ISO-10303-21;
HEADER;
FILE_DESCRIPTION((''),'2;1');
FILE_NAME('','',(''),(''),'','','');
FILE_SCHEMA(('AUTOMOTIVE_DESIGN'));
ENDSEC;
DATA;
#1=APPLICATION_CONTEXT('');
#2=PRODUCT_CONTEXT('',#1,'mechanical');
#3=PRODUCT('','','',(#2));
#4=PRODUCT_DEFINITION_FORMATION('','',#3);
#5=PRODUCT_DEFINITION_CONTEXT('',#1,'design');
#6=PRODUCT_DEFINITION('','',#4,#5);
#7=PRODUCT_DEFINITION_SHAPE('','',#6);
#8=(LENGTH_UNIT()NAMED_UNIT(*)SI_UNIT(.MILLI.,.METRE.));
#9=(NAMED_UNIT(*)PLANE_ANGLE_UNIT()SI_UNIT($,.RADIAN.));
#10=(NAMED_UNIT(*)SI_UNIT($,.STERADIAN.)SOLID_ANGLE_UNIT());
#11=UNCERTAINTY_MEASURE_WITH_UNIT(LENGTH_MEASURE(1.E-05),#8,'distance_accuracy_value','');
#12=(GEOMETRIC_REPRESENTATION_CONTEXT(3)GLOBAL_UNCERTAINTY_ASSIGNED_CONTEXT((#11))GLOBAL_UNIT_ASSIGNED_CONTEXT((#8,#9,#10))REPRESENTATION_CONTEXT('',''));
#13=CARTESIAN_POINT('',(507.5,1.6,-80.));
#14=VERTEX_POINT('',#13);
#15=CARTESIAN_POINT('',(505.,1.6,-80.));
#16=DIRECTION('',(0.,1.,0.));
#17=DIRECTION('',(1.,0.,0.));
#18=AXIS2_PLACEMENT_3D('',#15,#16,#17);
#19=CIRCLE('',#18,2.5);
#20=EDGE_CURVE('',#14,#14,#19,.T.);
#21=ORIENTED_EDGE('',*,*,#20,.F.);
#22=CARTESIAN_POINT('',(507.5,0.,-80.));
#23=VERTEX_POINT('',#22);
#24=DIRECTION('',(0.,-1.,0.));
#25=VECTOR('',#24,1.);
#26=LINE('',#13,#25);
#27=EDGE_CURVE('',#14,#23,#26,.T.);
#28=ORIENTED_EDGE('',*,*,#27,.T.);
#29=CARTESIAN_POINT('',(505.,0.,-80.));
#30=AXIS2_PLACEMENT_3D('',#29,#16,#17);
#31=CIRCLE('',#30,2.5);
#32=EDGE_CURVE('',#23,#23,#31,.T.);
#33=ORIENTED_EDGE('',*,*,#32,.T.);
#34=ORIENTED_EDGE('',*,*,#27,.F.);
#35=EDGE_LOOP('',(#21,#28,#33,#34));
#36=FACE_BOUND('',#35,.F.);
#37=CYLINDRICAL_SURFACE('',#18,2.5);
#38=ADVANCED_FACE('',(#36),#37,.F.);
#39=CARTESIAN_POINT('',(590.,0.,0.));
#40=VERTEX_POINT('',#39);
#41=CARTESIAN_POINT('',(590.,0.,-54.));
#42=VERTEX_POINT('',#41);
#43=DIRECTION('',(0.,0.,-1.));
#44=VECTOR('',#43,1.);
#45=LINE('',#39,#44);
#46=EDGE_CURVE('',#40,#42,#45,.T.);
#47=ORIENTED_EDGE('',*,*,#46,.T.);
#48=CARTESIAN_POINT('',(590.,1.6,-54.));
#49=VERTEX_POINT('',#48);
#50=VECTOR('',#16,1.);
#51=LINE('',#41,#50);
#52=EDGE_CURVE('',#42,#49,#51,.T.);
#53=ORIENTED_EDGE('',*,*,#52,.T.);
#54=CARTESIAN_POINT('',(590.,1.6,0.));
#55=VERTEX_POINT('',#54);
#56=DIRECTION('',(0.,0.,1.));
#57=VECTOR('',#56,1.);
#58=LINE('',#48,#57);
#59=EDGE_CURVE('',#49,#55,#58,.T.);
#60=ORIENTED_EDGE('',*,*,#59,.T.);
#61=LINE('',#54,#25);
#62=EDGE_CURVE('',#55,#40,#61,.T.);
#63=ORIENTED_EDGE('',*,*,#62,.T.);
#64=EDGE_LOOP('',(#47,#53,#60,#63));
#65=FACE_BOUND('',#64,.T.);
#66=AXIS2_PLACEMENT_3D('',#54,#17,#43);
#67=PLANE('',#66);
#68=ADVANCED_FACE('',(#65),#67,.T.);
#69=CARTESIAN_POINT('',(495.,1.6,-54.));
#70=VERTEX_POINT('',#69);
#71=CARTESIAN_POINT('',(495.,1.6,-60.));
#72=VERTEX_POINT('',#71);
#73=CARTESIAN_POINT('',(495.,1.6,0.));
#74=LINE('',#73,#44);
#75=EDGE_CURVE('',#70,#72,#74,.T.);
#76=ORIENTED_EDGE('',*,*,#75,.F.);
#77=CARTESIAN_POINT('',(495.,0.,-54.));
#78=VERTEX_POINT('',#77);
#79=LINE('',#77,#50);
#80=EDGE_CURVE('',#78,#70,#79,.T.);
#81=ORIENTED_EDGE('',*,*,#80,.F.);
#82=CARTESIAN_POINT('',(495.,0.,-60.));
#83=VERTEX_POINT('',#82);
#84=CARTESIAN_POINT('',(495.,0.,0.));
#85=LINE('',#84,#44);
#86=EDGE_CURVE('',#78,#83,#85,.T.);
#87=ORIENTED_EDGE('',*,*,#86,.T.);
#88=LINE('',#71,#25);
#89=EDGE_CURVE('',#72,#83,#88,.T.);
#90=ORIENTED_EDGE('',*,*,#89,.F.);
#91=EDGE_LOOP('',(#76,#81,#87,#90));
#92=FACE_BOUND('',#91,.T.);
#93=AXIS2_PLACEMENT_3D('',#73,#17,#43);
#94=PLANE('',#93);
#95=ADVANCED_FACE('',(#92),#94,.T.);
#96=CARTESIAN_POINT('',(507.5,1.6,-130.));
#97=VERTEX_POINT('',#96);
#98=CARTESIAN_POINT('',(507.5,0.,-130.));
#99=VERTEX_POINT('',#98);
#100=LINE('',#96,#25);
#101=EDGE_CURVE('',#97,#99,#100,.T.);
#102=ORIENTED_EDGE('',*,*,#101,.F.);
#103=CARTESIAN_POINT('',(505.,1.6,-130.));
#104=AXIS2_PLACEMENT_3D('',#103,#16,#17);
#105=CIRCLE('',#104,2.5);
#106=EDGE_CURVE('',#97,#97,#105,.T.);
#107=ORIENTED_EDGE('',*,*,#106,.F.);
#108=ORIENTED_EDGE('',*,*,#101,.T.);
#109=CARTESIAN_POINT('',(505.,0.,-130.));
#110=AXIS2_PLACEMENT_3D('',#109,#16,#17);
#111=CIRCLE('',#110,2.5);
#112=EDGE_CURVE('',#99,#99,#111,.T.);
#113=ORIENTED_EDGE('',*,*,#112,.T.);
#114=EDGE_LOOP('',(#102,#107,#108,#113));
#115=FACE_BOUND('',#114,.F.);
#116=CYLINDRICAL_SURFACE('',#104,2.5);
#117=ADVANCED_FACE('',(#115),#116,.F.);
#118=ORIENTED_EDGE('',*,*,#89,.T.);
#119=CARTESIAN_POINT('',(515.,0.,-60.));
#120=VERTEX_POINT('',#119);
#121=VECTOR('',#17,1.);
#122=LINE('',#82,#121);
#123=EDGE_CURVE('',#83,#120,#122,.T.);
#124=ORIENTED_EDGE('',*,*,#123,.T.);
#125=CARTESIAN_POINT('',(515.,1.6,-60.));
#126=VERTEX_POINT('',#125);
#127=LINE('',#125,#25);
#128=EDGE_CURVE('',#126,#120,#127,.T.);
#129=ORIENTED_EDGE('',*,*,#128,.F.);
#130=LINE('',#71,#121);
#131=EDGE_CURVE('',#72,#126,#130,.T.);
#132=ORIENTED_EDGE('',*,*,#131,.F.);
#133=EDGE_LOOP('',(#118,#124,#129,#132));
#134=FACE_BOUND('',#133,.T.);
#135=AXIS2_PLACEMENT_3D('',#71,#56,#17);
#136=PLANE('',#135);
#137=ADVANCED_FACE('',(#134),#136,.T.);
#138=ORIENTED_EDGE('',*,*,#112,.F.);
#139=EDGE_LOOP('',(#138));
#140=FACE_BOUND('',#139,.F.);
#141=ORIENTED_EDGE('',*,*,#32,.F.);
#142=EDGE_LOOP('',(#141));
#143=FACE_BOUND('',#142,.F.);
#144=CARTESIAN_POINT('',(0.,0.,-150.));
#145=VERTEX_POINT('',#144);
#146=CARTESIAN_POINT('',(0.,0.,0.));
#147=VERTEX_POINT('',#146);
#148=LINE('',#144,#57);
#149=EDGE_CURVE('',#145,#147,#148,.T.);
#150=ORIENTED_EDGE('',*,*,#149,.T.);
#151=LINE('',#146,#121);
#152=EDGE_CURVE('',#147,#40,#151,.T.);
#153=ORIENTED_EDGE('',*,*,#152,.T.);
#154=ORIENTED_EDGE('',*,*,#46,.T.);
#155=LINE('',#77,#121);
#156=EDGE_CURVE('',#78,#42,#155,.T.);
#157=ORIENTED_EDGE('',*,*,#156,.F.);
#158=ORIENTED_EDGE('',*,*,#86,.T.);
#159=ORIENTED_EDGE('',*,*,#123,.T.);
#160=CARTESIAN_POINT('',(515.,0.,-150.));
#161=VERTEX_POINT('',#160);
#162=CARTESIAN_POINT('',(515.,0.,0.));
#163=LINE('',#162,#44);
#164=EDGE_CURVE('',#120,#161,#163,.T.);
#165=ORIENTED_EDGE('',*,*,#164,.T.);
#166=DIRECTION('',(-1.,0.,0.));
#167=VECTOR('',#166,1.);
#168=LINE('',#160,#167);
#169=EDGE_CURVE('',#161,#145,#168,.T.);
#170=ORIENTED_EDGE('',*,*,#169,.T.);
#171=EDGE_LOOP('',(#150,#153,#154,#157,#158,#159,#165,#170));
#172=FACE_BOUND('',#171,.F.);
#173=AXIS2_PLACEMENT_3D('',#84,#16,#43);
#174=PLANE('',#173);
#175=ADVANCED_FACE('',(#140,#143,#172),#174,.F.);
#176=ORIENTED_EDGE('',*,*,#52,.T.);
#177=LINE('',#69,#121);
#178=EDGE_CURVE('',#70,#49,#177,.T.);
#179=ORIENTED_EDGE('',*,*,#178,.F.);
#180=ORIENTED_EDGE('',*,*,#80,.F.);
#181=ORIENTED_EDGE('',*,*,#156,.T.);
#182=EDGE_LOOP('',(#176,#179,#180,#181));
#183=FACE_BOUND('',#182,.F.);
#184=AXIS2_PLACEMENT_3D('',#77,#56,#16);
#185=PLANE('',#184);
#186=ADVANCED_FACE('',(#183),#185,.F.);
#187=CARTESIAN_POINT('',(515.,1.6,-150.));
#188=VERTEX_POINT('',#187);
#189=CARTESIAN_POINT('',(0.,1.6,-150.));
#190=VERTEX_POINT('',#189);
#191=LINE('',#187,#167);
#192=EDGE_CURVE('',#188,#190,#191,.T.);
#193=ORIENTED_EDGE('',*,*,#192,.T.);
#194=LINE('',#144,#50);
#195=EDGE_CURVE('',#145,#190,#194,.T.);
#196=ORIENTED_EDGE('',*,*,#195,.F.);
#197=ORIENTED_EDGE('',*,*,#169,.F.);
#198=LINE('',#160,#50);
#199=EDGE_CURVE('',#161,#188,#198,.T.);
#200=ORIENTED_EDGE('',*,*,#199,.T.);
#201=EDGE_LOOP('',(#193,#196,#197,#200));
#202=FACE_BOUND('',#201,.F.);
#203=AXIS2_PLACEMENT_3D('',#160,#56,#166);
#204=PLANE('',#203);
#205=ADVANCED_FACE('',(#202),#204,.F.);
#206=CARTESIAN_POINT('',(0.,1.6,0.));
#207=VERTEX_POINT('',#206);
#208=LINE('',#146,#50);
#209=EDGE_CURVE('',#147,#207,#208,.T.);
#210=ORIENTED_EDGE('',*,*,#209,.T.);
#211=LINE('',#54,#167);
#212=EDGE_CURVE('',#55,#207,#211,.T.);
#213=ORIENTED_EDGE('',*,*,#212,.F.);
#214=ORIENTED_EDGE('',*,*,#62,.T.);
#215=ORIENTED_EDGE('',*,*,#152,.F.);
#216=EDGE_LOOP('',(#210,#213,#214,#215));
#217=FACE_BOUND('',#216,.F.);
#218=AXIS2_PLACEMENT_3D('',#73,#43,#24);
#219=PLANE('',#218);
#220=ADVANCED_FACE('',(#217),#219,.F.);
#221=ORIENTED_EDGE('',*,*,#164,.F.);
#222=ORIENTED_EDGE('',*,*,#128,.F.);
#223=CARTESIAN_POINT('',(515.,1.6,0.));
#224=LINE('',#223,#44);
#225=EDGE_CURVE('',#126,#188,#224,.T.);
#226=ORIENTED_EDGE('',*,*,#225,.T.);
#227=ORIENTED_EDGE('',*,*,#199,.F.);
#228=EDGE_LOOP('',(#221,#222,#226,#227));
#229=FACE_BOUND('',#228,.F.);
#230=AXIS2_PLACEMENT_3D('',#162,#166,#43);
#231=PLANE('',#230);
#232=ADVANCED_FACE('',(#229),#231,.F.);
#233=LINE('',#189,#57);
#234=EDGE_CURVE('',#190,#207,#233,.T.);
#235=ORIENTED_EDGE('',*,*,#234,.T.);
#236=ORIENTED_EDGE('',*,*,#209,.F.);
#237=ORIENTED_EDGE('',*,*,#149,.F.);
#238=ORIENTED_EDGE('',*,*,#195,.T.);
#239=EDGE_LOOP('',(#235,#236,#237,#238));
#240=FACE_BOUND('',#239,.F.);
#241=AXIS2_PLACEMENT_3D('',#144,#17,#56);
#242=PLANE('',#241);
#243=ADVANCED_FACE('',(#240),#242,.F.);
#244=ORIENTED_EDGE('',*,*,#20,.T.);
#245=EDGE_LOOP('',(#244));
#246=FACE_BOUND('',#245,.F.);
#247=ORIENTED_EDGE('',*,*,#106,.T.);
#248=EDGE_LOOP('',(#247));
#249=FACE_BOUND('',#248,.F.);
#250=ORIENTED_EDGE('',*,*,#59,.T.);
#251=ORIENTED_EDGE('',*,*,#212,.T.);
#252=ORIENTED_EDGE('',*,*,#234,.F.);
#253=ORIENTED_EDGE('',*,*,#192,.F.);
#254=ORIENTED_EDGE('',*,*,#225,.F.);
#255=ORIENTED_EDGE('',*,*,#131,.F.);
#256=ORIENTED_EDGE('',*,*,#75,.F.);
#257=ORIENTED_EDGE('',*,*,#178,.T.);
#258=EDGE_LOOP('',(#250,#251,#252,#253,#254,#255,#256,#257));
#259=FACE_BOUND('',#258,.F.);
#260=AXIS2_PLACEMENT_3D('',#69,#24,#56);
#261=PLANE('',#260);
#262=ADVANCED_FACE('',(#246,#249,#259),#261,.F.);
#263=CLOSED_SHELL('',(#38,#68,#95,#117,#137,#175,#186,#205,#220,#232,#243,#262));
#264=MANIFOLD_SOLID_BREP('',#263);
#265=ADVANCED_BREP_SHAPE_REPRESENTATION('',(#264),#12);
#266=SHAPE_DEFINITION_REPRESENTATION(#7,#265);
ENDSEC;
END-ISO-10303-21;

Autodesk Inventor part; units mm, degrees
ref_plane "YZ Plane" through (0, 0, 0) normal (1, 0, 0) x (0, 1, 0)
ref_plane "XZ Plane" through (0, 0, 0) normal (0, 1, 0) x (-1, 0, 0)
ref_plane "XY Plane" through (0, 0, 0) normal (0, 0, 1) x (1, 0, 0)
sketch "Sketch1" plane through (0, 0, 0) normal (0, 1, 0) x (-1, 0, 0)
  line L0 (0, 0) -> (-515, 0)
  line L1 (-515, 0) -> (-515, -150)
  line L2 (-515, -150) -> (0, -150)
  line L3 (0, -150) -> (0, 0)
  dimension "d0" = 515
  dimension "d1" = 150
extrude "Extrusion1" add sketch "Sketch1" along normal blind 1.6
sketch "Sketch2" plane through (0, 1.6, 0) normal (0, 1, 0) x (1, 0, 0)
  line L0 (515, 0) -> (495, 0)
  line L1 (495, 0) -> (495, 60)
  line L2 (495, 60) -> (515, 60)
  line L3 (515, 60) -> (515, 0)
  circle A0 centre (505, 80) radius 2.5
  circle A1 centre (505, 130) radius 2.5
  line L4 (515, 150) -> (0, 150) projected
  point P0 (0, 0)
  point P1 (505, 60)
  dimension "d6" = 20
  dimension "d7" = 60
  dimension "d10" = 5
  dimension "d11" = 5
  dimension "d12" = 50
  dimension "d13" = 20
extrude "Extrusion3" cut sketch "Sketch2" against normal blind 1.6
sketch "Sketch3" plane through (495, 1.6, 0) normal (1, 0, 0) x (0, 0, -1)
  line L0 (0, -1.6) -> (54, -1.6)
  line L1 (54, -1.6) -> (54, 0)
  line L2 (54, 0) -> (0, 0)
  line L3 (0, 0) -> (0, -1.6)
  dimension "d16" = 54
  dimension "d17" = 1.6
extrude "Extrusion4" add sketch "Sketch3" along normal blind 95
properties part number "X-Axis Panel Right" material "Steel"
